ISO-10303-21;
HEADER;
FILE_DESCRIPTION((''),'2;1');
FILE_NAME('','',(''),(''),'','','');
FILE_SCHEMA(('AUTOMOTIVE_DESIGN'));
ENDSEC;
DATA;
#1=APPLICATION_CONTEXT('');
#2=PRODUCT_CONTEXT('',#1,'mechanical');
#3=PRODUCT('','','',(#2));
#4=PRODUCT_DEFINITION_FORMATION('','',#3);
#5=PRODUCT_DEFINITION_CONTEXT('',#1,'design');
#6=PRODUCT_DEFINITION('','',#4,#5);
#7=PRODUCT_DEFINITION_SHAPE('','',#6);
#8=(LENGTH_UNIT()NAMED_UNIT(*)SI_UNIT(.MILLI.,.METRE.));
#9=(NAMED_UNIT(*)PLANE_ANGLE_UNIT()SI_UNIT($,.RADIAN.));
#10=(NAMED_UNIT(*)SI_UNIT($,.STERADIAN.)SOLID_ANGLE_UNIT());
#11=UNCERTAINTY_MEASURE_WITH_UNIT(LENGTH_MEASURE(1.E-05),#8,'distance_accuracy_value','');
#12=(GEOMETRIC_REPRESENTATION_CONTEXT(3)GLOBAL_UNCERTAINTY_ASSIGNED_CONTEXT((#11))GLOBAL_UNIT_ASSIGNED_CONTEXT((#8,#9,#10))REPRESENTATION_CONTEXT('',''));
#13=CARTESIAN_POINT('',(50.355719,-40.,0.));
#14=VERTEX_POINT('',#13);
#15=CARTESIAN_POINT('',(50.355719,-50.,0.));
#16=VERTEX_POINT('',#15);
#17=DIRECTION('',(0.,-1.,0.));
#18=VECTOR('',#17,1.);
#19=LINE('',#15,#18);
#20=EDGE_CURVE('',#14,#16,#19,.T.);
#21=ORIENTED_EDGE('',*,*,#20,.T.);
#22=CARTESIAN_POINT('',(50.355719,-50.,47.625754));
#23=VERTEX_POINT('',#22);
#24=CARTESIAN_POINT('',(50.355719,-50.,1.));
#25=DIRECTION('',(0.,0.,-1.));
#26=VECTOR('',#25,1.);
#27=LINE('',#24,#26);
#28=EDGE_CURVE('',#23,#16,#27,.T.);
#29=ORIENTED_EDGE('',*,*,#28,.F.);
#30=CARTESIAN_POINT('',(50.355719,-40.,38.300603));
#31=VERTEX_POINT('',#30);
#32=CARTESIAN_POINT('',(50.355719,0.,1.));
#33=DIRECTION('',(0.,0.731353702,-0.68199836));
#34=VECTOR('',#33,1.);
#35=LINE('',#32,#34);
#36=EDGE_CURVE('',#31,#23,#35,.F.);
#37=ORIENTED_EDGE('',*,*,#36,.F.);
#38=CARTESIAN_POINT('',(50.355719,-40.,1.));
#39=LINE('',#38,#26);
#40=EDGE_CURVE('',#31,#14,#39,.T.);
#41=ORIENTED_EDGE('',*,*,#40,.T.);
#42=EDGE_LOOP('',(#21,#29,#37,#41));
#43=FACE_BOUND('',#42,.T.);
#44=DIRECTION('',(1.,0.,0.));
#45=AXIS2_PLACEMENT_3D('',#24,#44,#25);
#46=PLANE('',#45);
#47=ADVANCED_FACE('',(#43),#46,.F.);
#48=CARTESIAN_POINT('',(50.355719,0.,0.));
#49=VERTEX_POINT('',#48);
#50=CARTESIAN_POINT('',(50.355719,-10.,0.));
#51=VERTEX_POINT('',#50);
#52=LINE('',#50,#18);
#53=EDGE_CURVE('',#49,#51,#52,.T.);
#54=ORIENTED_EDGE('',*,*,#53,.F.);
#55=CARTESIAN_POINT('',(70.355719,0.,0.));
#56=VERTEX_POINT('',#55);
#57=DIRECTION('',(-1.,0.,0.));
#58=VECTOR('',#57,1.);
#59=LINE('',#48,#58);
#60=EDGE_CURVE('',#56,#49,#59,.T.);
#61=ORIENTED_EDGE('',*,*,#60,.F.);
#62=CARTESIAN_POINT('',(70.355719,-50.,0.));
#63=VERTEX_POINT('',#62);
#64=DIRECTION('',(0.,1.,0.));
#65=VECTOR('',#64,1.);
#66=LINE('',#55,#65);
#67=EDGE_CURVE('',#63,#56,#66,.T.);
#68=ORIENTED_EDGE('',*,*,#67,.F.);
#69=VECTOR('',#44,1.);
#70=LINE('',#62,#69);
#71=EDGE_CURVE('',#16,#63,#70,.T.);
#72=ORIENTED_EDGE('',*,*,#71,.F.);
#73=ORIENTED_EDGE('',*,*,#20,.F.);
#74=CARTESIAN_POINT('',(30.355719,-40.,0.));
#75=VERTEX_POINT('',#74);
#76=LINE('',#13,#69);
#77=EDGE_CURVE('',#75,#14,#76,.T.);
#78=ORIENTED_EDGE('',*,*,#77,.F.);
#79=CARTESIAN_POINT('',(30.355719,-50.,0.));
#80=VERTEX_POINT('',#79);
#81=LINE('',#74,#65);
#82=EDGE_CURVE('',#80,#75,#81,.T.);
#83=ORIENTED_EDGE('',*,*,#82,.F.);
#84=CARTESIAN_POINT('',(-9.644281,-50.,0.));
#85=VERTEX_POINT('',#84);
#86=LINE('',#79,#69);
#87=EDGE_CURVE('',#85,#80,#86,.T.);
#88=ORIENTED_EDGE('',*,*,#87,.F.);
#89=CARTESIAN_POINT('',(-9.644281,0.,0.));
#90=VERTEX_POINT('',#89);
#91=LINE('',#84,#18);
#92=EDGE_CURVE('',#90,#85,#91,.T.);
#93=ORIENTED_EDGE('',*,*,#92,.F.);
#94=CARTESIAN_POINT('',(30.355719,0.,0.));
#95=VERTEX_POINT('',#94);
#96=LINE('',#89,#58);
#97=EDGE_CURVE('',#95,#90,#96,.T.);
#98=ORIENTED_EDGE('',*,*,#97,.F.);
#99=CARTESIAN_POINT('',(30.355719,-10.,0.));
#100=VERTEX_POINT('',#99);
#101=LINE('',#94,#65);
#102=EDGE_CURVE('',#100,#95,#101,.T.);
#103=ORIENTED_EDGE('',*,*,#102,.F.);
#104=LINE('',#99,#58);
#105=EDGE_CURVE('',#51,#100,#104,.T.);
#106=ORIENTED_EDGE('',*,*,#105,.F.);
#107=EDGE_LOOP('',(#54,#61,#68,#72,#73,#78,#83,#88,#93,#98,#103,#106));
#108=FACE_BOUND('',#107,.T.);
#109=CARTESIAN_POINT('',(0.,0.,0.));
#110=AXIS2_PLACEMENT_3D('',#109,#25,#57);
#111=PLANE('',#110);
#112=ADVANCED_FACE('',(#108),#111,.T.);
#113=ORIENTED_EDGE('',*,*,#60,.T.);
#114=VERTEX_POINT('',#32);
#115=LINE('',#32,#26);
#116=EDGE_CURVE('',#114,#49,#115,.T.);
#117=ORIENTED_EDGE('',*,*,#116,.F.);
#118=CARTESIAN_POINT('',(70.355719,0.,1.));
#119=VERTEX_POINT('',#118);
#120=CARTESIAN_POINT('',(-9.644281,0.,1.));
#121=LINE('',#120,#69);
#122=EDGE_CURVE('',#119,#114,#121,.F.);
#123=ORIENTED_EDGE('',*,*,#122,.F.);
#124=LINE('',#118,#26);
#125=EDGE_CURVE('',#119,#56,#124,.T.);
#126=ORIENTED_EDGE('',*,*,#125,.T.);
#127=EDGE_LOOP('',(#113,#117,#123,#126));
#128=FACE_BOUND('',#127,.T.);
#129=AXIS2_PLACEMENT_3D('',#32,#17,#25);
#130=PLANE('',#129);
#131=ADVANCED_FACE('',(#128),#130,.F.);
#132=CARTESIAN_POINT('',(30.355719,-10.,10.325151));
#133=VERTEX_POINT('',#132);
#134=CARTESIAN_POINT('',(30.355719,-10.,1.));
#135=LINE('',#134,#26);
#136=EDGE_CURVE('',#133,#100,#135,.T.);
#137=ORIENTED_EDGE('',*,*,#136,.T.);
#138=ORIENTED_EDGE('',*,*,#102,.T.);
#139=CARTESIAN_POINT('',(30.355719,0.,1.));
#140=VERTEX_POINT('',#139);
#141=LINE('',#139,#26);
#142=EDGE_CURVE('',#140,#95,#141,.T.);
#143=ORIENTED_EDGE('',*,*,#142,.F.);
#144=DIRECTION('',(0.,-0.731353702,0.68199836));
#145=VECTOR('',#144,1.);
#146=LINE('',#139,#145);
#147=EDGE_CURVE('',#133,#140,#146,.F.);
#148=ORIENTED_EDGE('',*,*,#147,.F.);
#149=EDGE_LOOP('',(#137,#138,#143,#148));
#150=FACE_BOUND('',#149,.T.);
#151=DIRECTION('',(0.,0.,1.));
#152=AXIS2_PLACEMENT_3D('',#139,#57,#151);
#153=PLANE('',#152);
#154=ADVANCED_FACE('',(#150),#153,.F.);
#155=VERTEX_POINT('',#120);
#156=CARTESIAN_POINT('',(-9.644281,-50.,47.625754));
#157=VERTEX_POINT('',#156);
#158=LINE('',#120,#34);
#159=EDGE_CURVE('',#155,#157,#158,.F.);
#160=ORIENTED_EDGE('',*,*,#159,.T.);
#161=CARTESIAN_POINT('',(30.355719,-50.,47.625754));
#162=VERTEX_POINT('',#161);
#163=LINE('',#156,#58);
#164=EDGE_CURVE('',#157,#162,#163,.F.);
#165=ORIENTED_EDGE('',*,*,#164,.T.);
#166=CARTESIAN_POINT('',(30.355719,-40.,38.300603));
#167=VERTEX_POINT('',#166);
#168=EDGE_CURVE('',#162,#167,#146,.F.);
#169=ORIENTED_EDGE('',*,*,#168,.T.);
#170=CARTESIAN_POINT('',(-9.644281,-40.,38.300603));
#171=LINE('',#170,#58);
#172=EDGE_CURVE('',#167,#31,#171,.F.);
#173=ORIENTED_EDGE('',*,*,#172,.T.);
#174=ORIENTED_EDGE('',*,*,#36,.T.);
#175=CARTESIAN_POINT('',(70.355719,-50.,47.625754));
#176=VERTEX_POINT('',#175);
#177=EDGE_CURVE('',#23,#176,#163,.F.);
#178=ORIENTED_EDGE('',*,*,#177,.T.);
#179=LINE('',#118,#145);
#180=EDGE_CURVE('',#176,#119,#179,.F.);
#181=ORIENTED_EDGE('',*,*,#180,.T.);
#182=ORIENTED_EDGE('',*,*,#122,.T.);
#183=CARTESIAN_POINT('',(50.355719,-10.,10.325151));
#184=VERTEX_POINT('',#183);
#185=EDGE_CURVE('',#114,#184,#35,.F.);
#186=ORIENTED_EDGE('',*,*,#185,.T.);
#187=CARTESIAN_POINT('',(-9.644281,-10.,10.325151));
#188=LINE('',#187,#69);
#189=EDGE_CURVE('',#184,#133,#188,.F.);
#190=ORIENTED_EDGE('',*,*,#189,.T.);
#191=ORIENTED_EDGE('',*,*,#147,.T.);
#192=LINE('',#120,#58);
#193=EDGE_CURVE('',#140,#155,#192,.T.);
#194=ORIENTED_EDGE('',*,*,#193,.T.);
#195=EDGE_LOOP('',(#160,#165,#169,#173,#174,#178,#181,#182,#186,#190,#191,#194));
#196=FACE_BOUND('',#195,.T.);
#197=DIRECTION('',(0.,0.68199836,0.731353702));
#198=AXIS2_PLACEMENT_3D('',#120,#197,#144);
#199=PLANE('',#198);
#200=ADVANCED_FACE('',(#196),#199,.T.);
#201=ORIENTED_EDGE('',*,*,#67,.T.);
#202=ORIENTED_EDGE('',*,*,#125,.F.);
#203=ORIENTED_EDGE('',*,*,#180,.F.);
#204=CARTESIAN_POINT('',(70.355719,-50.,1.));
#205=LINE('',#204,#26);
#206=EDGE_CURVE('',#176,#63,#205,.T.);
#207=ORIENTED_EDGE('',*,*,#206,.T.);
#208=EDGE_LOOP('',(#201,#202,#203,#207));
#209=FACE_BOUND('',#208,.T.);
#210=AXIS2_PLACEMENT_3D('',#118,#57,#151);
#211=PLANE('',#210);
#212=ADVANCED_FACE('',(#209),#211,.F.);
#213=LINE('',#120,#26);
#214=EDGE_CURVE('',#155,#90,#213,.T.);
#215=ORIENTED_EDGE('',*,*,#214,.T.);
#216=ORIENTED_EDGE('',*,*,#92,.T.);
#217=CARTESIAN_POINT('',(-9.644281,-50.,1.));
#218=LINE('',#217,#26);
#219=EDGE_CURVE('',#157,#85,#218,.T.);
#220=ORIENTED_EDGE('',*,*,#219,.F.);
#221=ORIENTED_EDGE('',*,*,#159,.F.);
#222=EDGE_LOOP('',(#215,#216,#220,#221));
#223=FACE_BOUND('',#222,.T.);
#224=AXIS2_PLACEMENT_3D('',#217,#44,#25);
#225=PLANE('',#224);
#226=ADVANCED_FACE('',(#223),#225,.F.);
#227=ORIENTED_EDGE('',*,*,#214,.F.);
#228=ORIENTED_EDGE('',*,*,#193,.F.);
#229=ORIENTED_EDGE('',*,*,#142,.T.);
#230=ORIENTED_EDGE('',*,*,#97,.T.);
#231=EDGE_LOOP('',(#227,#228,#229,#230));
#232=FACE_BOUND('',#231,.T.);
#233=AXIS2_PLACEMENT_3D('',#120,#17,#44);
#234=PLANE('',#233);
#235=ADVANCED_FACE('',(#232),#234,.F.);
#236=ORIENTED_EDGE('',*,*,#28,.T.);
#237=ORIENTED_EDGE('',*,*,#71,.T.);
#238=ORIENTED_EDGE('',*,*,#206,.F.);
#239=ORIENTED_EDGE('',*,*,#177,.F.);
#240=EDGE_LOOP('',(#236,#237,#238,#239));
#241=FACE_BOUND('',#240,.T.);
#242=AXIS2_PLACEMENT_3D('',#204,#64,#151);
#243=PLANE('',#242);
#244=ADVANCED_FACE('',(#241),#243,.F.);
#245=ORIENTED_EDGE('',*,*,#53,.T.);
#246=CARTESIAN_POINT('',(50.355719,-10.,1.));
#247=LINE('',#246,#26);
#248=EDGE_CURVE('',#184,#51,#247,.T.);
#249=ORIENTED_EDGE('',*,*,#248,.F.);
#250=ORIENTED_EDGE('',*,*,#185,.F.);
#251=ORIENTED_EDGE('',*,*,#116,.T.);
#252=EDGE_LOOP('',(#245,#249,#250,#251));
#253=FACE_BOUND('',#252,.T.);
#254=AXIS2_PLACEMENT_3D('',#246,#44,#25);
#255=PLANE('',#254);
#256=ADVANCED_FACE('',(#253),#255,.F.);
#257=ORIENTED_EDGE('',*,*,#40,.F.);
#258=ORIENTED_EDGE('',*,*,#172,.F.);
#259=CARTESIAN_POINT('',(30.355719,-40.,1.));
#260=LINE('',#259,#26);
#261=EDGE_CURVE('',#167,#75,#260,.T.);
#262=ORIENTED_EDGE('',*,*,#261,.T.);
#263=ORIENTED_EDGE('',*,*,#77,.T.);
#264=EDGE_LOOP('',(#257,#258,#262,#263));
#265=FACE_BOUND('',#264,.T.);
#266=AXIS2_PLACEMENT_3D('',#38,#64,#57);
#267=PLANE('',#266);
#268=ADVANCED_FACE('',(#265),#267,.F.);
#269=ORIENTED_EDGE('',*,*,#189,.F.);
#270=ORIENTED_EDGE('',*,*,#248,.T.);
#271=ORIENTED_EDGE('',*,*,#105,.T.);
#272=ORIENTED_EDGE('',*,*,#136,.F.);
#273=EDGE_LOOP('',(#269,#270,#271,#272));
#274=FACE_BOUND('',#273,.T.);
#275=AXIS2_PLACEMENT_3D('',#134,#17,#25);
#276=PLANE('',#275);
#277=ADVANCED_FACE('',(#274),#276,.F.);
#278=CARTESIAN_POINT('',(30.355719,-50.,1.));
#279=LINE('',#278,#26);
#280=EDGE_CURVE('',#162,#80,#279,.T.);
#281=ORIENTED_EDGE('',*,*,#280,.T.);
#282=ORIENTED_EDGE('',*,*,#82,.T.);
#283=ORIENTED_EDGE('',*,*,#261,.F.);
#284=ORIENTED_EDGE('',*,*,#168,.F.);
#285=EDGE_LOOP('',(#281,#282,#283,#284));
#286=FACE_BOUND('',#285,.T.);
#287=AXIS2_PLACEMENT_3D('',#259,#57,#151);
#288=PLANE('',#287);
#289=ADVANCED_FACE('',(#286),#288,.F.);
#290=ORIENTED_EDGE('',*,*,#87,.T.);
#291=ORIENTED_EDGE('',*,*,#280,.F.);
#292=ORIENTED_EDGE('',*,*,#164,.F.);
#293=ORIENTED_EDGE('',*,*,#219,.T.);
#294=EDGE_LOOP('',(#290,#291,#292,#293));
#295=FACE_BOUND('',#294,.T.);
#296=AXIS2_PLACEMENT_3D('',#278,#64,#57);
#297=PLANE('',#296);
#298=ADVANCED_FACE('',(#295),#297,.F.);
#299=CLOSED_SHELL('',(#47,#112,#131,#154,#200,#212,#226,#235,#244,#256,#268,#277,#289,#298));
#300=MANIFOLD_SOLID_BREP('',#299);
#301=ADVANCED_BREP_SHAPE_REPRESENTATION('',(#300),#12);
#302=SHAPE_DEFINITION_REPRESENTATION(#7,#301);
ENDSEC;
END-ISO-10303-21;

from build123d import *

# Parameters (mm, degrees)
EXTRUDE_1_DEPTH = 1
DRAFT_5_ANGLE   = 43


with BuildPart() as part:
    # 草图1 → 凸台-拉伸1 (new body)
    with BuildSketch(Plane.XY):
        Polygon((-9.644281244, 0), (30.355718756, 0), (30.355718756, -10), (50.355718756, -10), (50.355718756, 0), (70.355718756, 0), (70.355718756, -50), (50.355718756, -50), (50.355718756, -40), (30.355718756, -40), (30.355718756, -50), (-9.644281244, -50), align=None)
    extrude(amount=EXTRUDE_1_DEPTH)

    # 拔模5
    draft_5_faces = [part.faces().sort_by_distance(p)[0] for p in [
        (29.244607645, -25, 1),
    ]]
    draft(draft_5_faces, Plane(origin=(-9.644281244, 0, 1), x_dir=(1, 0, 0), z_dir=(0, 1, 0)), DRAFT_5_ANGLE)


solid = part.part
